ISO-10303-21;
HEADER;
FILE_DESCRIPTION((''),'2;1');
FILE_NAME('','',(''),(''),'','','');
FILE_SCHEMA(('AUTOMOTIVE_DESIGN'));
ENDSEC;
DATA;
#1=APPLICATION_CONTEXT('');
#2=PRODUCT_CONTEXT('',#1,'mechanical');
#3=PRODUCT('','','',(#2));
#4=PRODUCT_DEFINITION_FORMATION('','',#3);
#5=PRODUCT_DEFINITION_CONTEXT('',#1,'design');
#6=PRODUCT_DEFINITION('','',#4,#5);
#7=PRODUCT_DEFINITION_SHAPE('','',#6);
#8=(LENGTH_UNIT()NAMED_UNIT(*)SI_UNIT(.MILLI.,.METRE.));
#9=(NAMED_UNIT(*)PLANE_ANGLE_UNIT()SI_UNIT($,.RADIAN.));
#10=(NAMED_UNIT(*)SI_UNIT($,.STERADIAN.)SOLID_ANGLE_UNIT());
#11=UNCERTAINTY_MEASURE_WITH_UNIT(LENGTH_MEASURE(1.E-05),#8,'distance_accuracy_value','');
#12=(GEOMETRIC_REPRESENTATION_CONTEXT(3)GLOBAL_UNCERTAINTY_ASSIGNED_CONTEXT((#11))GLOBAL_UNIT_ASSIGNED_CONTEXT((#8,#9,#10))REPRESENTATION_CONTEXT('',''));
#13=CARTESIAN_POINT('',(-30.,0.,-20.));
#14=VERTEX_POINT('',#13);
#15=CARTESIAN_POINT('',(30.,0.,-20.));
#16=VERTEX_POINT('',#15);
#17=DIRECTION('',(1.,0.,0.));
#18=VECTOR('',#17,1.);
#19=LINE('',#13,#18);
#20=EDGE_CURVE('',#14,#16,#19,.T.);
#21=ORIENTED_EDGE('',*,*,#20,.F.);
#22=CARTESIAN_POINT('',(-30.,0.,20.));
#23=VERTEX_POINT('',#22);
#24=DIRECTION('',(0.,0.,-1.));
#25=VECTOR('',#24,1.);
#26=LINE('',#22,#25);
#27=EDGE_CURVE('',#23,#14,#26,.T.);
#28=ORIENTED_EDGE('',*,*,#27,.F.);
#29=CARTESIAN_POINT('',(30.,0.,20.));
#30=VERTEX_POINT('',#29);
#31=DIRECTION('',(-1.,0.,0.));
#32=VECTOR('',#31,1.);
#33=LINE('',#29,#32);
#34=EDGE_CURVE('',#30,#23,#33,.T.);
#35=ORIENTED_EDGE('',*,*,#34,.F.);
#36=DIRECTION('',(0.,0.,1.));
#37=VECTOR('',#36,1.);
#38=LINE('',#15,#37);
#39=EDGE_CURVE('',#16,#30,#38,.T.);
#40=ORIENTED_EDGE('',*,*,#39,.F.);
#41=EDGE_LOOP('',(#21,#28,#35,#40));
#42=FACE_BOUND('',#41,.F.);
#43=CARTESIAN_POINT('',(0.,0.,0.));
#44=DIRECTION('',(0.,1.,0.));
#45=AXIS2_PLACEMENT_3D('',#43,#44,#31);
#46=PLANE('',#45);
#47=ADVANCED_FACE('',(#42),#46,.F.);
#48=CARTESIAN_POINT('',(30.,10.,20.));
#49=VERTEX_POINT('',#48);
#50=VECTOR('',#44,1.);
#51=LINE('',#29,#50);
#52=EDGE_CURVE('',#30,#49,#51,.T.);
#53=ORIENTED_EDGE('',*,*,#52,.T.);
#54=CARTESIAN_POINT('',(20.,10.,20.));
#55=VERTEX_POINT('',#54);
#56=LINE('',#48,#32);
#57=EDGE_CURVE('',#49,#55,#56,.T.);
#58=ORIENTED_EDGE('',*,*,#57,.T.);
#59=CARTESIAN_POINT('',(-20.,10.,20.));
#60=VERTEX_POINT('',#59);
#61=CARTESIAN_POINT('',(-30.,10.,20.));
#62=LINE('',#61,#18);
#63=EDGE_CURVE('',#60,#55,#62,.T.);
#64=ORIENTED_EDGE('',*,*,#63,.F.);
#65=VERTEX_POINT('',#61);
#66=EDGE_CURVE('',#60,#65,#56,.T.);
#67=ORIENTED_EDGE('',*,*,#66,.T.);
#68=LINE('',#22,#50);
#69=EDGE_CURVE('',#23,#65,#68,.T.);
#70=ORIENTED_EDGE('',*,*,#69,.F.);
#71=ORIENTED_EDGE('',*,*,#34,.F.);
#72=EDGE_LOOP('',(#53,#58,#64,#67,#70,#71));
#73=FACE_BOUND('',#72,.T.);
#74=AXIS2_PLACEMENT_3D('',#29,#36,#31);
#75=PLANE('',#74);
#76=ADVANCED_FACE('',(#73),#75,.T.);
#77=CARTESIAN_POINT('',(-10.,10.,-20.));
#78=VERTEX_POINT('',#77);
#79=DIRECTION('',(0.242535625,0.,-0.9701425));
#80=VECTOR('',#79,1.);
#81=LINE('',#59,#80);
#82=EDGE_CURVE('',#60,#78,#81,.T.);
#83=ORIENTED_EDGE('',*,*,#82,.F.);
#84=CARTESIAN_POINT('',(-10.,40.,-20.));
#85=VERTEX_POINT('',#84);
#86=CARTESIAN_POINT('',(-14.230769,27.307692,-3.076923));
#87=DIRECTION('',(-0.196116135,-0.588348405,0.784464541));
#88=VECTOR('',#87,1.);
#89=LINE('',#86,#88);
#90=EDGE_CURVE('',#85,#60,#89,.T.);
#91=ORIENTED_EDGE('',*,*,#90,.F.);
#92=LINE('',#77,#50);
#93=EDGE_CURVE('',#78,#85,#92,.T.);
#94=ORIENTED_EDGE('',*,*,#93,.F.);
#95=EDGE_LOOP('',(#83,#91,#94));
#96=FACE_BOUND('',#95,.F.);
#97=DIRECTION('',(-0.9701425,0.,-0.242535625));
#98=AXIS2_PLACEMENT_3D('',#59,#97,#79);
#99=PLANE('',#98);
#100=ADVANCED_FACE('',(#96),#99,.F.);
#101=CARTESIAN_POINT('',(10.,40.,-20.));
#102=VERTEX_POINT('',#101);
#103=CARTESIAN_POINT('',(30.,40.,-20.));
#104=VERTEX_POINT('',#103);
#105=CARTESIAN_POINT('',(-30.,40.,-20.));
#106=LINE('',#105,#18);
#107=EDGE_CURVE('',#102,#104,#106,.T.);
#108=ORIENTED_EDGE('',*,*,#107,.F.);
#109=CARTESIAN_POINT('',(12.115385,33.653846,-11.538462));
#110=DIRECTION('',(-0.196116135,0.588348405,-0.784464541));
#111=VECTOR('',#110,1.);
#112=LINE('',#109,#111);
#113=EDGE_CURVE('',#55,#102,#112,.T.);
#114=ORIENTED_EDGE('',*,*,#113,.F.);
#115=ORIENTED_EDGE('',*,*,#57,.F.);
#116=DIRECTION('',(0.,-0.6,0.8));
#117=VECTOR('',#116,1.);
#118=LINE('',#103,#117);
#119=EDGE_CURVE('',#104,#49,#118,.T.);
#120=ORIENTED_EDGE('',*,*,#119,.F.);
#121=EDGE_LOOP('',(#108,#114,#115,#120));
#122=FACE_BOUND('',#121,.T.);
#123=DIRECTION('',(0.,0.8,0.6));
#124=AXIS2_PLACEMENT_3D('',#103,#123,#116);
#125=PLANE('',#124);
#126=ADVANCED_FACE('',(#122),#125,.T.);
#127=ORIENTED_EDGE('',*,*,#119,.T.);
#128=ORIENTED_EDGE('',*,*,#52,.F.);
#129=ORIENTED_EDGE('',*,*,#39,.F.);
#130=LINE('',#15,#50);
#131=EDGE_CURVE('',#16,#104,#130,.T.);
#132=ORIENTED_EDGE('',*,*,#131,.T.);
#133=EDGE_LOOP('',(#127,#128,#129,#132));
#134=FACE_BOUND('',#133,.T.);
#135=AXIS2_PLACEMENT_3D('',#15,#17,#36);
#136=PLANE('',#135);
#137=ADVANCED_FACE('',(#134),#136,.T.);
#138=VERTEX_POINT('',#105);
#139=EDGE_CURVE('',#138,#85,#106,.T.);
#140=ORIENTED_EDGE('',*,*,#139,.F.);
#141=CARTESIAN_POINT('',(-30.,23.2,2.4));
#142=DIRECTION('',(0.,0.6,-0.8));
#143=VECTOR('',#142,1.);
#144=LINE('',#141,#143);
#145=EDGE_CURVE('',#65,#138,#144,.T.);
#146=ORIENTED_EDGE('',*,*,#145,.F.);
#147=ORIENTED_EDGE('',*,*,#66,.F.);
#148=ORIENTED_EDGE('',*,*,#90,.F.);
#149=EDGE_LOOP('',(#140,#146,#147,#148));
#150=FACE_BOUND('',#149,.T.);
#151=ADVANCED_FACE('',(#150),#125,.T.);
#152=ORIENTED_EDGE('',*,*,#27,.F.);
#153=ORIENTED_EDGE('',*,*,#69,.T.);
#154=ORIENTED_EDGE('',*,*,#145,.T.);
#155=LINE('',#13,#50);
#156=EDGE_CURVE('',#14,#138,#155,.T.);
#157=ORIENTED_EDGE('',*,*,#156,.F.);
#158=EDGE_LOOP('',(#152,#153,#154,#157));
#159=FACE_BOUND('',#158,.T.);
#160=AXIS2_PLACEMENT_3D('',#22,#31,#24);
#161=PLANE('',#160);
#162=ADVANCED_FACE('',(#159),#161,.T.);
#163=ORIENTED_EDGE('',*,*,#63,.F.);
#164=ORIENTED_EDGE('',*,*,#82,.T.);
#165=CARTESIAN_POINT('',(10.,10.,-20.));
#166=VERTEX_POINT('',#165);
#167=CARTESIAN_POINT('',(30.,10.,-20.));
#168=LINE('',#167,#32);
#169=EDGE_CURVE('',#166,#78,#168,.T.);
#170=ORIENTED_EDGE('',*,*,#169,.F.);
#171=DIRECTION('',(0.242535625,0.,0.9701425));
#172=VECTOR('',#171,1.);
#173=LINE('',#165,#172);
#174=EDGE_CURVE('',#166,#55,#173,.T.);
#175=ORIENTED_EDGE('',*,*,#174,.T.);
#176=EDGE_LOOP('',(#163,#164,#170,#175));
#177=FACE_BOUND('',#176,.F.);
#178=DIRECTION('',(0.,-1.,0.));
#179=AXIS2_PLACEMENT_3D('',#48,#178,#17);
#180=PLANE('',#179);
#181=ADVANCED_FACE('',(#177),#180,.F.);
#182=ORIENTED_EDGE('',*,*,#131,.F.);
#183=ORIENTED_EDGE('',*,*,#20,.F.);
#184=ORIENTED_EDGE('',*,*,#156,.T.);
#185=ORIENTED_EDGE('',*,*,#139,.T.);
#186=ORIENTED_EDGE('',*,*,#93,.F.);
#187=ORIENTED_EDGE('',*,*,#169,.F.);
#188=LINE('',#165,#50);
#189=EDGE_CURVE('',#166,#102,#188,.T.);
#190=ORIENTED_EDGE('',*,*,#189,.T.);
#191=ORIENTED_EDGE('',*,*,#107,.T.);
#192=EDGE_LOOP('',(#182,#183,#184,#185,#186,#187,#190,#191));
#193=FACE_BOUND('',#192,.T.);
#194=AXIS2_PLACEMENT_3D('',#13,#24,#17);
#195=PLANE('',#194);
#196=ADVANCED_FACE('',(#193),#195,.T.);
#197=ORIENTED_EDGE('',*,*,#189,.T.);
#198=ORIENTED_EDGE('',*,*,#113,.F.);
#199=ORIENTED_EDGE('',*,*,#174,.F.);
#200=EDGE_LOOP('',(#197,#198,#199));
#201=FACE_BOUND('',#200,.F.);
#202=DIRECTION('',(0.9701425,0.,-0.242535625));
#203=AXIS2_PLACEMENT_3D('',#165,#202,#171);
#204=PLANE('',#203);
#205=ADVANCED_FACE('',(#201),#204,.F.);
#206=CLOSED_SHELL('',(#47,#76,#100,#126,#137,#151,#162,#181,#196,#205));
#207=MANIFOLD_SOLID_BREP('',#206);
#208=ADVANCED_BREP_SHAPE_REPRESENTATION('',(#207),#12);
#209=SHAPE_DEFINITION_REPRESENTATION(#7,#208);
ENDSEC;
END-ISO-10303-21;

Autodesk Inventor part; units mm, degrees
ref_plane "YZ Plane" through (0, 0, 0) normal (1, 0, 0) x (0, 1, 0)
ref_plane "XZ Plane" through (0, 0, 0) normal (0, 1, 0) x (-1, 0, 0)
sketch "草圖1" plane through (0, 0, 0) normal (0, 1, 0) x (-1, 0, 0)
  line L0 (-30, 20) -> (30, 20)
  line L1 (30, 20) -> (30, -20)
  line L2 (30, -20) -> (-30, -20)
  line L3 (-30, -20) -> (-30, 20)
  line L4 (-30, 20) -> (30, -20) construction
  line L5 (30, 20) -> (-30, -20) construction
  point P0 (0, 0)
  point P1 (0, 0)
  point P2 (0, 0)
  dimension "d0" = 60
  dimension "d1" = 40
extrude "擠出1" add sketch "草圖1" along normal blind 40
sketch "草圖2" plane through (30, 0, 20) normal (1, 0, 0) x (0, 0, -1)
  line L0 (0, 0) -> (0, 40) projected
  line L1 (0, 40) -> (40, 40) projected
  line L2 (40, 40) -> (40, 0) projected
  line L3 (40, 0) -> (0, 0) projected
  line L4 (0, 40) -> (40, 40) projected
  line L5 (40, 40) -> (0, 10)
  point P0 (20, 0)
  dimension "d4" = 10
extrude "擠出2" cut sketch "草圖2" against normal through all contours L0 L1 L5
ref_plane "工作平面1" through (30, 10, 20) normal (0, -1, 0) x (1, 0, 0)
sketch "草圖3" plane through (30, 10, 20) normal (0, -1, 0) x (1, 0, 0)
  line L0 (-60, 0) -> (0, 0) projected
  line L1 (0, 0) -> (0, -40) projected
  line L2 (0, -40) -> (-60, -40) projected
  line L3 (-60, -40) -> (-60, 0) projected
  line L4 (-60, 0) -> (0, 0) projected
  line L5 (-50, 0) -> (-40, -40)
  line L6 (0, -40) -> (-60, -40) projected
  line L7 (-20, -40) -> (-10, 0)
  point P0 (-30, -20)
  point P1 (-10, 0)
  point P2 (-50, 0)
  dimension "d7" = 10
  dimension "d8" = 20
  dimension "d9" = 20
  dimension "d10" = 40
extrude "擠出3" cut sketch "草圖3" against normal blind 53 contours L0 L7 L2 L5
properties part number "9" material "鋼、碳鋼"
